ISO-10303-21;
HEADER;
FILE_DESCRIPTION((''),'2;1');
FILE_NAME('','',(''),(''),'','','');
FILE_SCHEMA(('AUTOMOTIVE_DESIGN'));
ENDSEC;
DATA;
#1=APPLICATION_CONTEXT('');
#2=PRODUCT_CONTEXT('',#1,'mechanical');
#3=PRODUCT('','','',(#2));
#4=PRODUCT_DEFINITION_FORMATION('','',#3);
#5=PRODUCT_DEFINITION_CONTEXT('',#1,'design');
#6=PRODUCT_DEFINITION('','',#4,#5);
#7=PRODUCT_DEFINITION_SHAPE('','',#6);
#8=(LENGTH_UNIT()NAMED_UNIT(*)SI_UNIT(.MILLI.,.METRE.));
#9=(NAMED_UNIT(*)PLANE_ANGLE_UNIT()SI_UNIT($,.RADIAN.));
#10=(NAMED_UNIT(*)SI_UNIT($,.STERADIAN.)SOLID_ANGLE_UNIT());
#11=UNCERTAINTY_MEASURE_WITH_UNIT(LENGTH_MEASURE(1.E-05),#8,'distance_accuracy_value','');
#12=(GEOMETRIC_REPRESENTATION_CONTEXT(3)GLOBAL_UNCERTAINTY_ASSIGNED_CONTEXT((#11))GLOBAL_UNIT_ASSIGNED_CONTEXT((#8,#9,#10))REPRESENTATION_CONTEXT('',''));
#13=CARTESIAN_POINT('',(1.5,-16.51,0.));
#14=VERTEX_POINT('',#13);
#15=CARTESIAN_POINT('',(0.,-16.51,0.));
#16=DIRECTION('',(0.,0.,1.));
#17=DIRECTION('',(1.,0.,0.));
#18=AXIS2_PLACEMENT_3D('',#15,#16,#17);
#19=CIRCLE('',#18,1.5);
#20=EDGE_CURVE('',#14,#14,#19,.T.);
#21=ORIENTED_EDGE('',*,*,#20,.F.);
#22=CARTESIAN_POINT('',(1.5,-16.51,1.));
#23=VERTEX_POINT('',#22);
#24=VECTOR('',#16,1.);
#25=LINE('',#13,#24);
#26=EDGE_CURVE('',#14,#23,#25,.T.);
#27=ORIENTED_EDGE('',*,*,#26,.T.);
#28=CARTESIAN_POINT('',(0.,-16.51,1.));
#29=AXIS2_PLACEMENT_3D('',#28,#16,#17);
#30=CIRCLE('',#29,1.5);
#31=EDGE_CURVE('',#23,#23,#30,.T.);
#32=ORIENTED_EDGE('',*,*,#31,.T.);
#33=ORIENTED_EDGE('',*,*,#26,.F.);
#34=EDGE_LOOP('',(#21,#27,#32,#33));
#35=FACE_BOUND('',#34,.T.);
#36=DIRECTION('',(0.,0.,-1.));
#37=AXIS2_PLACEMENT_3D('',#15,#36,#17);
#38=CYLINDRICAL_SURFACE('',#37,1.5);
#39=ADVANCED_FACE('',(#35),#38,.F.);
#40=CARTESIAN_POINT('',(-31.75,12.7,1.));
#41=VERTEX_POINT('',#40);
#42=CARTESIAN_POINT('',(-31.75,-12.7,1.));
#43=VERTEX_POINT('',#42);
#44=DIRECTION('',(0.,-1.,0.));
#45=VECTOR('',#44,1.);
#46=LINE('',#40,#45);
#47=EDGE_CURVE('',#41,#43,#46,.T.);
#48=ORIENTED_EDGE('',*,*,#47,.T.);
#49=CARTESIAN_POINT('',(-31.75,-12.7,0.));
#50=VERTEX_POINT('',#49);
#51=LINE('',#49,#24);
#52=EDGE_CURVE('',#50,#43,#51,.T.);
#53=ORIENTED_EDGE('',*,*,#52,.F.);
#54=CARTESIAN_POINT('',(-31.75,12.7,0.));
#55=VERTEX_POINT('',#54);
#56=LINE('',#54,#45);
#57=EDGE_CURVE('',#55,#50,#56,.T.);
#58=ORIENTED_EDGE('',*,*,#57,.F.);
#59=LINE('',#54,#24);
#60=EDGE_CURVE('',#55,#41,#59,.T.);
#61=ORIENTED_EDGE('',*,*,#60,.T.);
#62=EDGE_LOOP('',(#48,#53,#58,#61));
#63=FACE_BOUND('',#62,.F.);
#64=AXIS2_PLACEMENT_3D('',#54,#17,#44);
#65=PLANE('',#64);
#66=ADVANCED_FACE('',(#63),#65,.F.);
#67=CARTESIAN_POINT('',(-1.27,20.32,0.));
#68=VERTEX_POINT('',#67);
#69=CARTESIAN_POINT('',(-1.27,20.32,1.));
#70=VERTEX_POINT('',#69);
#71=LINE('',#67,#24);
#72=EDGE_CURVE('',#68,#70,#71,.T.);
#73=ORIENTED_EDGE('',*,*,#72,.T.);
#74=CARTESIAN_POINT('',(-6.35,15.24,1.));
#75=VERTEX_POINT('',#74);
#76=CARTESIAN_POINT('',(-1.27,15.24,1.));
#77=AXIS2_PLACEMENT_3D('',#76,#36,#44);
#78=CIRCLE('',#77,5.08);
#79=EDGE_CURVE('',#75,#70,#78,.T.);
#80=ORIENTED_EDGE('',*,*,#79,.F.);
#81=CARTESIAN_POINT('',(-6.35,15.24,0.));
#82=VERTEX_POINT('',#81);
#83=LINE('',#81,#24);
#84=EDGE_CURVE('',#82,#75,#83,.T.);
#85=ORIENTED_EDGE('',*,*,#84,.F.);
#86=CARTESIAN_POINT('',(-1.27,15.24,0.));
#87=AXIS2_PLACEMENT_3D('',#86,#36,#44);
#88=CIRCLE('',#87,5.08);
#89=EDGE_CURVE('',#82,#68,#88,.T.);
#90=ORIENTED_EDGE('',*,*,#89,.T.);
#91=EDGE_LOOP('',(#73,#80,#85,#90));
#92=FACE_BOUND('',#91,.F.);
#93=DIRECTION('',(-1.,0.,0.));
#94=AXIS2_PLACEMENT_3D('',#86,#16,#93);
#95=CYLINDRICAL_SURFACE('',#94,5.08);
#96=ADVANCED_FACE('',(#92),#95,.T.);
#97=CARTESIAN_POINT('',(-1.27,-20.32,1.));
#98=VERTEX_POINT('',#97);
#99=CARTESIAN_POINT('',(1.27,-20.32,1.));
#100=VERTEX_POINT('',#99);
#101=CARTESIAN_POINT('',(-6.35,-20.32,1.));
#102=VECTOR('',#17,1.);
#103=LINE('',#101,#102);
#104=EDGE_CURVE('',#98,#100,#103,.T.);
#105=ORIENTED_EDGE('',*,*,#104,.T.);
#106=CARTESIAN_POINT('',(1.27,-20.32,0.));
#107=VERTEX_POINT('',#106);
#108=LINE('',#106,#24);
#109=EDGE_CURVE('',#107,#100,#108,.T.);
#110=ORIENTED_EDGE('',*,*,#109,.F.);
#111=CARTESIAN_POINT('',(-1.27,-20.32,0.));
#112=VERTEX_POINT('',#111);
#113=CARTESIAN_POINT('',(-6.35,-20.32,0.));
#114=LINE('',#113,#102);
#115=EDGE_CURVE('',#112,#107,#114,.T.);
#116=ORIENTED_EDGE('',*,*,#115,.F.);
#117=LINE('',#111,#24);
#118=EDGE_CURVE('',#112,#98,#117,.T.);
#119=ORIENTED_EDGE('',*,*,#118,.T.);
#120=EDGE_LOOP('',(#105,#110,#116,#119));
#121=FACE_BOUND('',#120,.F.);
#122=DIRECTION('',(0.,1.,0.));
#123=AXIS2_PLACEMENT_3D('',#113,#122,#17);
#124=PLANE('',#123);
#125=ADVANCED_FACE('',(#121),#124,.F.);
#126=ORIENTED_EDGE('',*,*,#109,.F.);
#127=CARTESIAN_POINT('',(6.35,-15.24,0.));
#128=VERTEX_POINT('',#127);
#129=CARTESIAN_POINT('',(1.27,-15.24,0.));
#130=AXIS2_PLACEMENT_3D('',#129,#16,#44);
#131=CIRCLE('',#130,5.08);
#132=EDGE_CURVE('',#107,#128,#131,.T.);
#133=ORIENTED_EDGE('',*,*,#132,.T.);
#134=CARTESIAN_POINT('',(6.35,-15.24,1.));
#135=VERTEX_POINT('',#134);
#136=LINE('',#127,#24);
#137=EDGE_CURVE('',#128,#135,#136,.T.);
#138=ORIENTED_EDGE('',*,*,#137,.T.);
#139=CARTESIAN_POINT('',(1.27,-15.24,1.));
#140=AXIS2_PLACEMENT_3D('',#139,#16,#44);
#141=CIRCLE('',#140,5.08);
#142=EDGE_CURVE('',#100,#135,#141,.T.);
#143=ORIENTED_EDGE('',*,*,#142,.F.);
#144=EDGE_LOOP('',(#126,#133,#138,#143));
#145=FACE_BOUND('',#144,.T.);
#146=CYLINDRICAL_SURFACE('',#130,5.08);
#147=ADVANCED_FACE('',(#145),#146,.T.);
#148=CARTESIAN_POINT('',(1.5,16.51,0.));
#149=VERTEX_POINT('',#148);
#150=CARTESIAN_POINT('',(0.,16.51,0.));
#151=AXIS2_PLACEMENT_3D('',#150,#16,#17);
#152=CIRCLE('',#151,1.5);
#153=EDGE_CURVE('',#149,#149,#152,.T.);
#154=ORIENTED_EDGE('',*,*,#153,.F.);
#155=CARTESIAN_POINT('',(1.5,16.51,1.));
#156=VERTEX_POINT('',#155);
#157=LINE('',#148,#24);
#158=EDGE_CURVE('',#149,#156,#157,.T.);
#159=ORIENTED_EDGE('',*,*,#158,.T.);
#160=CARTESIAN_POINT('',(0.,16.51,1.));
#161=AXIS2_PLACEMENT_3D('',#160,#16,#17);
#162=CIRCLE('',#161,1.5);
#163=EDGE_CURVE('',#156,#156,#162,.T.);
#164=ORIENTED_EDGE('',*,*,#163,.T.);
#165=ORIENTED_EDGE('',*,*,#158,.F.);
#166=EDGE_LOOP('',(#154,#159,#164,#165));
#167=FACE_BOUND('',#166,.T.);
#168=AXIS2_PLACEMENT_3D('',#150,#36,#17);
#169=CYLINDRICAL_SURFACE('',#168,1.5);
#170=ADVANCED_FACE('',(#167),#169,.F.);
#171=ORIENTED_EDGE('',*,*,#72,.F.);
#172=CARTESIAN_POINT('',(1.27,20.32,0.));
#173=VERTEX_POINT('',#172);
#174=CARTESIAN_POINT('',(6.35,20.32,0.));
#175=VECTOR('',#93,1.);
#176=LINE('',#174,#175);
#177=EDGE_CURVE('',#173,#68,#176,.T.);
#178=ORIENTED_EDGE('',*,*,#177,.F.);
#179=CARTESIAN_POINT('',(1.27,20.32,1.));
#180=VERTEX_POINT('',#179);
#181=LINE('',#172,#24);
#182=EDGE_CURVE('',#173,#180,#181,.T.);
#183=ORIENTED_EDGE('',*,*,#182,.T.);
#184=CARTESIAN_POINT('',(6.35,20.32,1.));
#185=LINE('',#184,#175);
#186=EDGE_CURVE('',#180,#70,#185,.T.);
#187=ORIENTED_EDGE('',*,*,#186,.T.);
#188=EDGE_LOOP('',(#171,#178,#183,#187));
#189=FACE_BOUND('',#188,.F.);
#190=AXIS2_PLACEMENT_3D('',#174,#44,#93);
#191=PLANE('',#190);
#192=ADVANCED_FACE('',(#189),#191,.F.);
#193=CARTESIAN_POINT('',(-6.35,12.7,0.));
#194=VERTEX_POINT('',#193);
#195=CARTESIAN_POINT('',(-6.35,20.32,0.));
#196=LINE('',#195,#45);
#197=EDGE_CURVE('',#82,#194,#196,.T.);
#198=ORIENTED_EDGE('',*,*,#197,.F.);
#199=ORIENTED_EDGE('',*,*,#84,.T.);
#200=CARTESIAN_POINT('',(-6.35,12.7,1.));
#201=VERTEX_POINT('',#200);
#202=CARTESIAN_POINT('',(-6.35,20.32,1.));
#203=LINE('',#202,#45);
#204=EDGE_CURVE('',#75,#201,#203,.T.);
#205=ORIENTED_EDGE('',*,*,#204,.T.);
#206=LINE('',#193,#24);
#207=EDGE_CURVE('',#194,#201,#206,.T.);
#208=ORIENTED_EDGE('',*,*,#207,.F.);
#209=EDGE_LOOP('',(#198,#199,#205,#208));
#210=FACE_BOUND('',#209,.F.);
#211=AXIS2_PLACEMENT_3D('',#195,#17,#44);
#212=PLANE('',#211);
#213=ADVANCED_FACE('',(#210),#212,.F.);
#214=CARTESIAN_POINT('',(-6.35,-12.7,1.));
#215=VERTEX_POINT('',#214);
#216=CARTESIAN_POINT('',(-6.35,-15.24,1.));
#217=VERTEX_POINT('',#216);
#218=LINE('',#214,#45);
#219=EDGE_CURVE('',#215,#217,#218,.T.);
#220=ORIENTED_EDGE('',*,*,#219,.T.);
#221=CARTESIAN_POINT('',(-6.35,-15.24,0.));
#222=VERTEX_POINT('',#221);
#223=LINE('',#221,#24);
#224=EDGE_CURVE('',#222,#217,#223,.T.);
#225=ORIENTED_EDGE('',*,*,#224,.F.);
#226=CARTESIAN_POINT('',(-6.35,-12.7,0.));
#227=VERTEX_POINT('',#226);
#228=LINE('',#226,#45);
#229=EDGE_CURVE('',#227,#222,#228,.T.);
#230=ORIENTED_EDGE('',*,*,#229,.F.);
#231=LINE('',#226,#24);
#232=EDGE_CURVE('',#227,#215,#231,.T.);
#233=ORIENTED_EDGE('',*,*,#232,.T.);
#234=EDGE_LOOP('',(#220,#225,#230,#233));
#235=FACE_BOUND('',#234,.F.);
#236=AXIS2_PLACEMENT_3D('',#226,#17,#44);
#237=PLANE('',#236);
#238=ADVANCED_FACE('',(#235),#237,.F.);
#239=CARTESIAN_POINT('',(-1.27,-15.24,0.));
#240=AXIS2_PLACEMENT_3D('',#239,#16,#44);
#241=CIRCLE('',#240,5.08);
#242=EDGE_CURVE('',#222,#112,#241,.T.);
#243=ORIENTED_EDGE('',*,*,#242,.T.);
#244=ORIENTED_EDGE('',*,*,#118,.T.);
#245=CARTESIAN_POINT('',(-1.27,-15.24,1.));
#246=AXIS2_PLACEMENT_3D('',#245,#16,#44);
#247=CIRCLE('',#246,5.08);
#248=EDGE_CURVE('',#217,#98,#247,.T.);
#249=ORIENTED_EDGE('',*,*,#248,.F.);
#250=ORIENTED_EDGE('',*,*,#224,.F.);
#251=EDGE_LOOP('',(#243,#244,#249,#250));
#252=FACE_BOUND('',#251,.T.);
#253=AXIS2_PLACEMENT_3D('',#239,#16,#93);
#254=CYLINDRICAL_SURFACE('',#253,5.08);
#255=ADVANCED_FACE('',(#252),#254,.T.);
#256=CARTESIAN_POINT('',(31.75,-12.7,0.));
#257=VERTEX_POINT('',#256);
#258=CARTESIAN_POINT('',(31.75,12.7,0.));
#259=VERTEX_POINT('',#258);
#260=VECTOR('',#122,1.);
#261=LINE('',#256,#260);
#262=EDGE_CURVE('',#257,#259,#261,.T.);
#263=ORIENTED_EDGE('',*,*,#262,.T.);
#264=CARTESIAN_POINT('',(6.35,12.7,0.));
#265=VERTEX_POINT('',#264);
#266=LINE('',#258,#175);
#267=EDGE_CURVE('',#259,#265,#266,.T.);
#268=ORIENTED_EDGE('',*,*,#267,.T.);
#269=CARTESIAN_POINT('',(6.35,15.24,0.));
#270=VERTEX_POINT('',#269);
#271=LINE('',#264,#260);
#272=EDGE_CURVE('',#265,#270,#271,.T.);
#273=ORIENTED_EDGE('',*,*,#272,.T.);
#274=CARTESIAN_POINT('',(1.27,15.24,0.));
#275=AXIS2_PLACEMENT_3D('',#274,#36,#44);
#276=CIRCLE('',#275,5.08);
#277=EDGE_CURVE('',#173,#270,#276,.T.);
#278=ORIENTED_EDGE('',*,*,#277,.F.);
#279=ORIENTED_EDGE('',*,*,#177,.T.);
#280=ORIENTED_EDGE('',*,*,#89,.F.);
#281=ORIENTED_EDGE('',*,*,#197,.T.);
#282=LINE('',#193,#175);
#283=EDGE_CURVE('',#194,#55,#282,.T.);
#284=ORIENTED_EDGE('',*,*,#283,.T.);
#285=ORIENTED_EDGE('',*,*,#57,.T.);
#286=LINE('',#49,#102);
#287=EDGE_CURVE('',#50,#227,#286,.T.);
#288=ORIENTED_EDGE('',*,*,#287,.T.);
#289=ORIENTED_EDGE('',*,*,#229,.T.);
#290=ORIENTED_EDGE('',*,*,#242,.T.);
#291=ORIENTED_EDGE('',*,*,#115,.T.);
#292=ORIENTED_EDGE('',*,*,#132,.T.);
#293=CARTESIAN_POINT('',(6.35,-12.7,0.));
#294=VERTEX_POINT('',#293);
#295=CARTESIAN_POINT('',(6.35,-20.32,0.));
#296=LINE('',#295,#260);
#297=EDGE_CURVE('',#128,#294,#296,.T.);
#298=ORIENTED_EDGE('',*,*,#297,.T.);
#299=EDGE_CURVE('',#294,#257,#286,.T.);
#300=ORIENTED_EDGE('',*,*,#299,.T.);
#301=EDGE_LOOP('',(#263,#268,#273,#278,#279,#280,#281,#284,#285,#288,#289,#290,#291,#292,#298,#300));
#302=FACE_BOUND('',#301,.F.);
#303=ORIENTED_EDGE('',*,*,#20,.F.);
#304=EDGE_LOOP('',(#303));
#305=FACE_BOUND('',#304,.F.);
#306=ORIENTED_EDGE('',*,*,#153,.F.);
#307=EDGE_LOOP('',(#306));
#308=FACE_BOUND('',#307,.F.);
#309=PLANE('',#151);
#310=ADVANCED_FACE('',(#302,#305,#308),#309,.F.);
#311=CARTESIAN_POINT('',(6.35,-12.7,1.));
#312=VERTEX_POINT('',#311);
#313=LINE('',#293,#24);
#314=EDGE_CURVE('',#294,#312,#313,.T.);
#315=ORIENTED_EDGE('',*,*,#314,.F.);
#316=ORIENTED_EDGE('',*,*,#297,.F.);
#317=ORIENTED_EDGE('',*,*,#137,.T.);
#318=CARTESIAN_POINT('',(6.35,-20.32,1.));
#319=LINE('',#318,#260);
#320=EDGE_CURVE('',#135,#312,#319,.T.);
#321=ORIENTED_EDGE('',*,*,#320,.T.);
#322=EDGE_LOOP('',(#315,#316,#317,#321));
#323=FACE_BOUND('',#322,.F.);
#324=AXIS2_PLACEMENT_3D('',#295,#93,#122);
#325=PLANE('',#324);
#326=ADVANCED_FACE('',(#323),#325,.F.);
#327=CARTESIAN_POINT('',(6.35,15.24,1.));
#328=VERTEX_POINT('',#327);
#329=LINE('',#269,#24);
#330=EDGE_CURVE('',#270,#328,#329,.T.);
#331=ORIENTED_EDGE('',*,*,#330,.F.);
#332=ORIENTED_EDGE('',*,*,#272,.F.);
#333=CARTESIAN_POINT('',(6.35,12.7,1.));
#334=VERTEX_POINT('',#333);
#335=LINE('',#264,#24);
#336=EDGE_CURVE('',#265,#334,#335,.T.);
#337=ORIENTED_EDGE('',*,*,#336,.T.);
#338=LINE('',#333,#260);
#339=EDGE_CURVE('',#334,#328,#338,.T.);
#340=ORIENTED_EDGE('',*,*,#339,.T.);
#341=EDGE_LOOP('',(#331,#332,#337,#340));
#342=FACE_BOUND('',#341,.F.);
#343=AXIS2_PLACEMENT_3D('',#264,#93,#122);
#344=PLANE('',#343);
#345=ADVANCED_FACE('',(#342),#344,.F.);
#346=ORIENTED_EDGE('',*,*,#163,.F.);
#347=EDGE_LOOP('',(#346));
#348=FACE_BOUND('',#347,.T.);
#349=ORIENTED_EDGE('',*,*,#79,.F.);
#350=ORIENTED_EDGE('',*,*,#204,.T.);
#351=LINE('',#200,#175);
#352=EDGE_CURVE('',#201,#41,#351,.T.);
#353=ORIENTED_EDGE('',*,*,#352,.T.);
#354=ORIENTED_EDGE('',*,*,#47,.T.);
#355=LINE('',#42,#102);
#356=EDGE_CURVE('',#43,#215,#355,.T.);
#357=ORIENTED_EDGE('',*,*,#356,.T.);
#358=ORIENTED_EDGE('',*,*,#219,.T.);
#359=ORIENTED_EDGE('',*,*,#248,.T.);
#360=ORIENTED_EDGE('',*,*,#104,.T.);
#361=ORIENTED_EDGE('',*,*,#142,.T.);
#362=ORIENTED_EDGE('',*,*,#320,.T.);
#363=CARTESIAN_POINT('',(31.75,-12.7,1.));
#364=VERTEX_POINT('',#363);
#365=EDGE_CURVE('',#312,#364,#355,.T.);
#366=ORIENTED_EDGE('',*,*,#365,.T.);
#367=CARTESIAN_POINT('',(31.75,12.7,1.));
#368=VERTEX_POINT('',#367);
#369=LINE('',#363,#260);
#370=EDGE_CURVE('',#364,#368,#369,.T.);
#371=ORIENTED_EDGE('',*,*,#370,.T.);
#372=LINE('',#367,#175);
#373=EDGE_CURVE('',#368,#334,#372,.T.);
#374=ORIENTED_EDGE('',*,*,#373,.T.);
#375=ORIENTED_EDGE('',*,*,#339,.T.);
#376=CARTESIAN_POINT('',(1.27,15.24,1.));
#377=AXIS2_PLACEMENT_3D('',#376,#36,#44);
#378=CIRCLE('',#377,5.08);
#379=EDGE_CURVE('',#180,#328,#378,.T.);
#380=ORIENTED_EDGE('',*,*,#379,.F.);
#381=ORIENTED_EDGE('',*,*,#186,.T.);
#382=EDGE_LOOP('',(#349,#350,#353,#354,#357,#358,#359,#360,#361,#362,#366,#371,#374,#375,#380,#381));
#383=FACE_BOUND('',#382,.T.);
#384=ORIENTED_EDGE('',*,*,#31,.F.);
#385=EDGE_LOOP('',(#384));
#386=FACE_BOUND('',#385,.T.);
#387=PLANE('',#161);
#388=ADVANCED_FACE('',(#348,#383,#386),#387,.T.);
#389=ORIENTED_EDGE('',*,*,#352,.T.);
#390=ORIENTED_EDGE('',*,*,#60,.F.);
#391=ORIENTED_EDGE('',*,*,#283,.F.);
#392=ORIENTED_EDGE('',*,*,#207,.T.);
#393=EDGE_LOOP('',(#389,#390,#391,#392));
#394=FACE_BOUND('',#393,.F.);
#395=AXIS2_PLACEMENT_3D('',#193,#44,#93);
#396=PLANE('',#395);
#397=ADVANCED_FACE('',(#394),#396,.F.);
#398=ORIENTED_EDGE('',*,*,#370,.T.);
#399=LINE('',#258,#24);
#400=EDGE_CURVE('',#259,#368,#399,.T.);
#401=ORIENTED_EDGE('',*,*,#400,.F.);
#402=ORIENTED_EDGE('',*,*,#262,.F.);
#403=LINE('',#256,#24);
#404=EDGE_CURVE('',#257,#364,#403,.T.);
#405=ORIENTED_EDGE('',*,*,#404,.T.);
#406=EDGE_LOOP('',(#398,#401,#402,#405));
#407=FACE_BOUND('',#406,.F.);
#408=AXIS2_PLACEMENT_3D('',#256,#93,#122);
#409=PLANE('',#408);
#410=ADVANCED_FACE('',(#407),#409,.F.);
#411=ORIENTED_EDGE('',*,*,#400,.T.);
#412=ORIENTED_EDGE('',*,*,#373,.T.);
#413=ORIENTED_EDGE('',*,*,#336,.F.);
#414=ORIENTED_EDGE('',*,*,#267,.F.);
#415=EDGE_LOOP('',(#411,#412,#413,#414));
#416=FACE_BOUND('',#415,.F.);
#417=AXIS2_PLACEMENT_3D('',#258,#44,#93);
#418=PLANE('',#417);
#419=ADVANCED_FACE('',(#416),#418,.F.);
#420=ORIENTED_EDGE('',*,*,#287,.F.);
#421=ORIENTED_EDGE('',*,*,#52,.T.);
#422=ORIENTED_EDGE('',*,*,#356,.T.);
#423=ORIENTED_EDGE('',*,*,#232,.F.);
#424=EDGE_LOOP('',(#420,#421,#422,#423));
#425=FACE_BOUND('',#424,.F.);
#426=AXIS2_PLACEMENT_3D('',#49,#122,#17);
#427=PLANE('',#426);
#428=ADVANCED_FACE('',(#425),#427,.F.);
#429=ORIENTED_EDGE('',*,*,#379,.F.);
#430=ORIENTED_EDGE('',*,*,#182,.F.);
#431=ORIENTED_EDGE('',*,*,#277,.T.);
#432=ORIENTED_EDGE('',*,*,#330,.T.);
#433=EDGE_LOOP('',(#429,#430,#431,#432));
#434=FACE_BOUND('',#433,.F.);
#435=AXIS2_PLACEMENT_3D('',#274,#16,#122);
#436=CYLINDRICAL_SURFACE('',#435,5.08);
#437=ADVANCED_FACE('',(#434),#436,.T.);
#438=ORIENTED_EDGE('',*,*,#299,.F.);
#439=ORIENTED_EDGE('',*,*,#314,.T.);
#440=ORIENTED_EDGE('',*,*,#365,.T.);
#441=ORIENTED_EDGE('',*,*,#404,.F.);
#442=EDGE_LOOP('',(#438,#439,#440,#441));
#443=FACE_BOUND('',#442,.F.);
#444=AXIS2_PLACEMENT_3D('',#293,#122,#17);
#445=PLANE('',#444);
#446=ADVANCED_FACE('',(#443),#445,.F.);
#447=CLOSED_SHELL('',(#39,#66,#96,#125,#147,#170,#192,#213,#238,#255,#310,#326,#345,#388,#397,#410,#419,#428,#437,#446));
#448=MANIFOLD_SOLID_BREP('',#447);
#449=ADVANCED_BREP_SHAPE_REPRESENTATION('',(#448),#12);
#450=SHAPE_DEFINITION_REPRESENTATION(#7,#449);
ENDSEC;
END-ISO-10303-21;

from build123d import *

# Parameters (mm, degrees)
F0_R     = 1.5
F1_DEPTH = 1
F2_R     = 5.08


with BuildPart() as f1:
    # F0 (on Top) → F1 (new body)
    with BuildSketch(Plane.XY):
        Polygon((-6.35, 12.7), (6.35, 12.7), (6.35, 16.51), (6.35, 20.32), (-6.35, 20.32), align=None)
        with Locations((0, 16.51)):
            Circle(F0_R, mode=Mode.SUBTRACT)
        Polygon((31.75, -12.7), (31.75, 12.7), (6.35, 12.7), (-6.35, 12.7), (-31.75, 12.7), (-31.75, -12.7), (-6.35, -12.7), (6.35, -12.7), align=None)
        Polygon((6.35, -16.51), (6.35, -12.7), (-6.35, -12.7), (-6.35, -20.32), (6.35, -20.32), align=None)
        with Locations((0, -16.51)):
            Circle(F0_R, mode=Mode.SUBTRACT)
    extrude(amount=F1_DEPTH)

    # F2
    f2_edges = [f1.edges().sort_by_distance(p)[0] for p in [
        (6.35, 20.32, 0.5),
        (-6.35, 20.32, 0.5),
        (-6.35, -20.32, 0.5),
        (6.35, -20.32, 0.5),
    ]]
    fillet(f2_edges, radius=F2_R)


solid = f1.part
